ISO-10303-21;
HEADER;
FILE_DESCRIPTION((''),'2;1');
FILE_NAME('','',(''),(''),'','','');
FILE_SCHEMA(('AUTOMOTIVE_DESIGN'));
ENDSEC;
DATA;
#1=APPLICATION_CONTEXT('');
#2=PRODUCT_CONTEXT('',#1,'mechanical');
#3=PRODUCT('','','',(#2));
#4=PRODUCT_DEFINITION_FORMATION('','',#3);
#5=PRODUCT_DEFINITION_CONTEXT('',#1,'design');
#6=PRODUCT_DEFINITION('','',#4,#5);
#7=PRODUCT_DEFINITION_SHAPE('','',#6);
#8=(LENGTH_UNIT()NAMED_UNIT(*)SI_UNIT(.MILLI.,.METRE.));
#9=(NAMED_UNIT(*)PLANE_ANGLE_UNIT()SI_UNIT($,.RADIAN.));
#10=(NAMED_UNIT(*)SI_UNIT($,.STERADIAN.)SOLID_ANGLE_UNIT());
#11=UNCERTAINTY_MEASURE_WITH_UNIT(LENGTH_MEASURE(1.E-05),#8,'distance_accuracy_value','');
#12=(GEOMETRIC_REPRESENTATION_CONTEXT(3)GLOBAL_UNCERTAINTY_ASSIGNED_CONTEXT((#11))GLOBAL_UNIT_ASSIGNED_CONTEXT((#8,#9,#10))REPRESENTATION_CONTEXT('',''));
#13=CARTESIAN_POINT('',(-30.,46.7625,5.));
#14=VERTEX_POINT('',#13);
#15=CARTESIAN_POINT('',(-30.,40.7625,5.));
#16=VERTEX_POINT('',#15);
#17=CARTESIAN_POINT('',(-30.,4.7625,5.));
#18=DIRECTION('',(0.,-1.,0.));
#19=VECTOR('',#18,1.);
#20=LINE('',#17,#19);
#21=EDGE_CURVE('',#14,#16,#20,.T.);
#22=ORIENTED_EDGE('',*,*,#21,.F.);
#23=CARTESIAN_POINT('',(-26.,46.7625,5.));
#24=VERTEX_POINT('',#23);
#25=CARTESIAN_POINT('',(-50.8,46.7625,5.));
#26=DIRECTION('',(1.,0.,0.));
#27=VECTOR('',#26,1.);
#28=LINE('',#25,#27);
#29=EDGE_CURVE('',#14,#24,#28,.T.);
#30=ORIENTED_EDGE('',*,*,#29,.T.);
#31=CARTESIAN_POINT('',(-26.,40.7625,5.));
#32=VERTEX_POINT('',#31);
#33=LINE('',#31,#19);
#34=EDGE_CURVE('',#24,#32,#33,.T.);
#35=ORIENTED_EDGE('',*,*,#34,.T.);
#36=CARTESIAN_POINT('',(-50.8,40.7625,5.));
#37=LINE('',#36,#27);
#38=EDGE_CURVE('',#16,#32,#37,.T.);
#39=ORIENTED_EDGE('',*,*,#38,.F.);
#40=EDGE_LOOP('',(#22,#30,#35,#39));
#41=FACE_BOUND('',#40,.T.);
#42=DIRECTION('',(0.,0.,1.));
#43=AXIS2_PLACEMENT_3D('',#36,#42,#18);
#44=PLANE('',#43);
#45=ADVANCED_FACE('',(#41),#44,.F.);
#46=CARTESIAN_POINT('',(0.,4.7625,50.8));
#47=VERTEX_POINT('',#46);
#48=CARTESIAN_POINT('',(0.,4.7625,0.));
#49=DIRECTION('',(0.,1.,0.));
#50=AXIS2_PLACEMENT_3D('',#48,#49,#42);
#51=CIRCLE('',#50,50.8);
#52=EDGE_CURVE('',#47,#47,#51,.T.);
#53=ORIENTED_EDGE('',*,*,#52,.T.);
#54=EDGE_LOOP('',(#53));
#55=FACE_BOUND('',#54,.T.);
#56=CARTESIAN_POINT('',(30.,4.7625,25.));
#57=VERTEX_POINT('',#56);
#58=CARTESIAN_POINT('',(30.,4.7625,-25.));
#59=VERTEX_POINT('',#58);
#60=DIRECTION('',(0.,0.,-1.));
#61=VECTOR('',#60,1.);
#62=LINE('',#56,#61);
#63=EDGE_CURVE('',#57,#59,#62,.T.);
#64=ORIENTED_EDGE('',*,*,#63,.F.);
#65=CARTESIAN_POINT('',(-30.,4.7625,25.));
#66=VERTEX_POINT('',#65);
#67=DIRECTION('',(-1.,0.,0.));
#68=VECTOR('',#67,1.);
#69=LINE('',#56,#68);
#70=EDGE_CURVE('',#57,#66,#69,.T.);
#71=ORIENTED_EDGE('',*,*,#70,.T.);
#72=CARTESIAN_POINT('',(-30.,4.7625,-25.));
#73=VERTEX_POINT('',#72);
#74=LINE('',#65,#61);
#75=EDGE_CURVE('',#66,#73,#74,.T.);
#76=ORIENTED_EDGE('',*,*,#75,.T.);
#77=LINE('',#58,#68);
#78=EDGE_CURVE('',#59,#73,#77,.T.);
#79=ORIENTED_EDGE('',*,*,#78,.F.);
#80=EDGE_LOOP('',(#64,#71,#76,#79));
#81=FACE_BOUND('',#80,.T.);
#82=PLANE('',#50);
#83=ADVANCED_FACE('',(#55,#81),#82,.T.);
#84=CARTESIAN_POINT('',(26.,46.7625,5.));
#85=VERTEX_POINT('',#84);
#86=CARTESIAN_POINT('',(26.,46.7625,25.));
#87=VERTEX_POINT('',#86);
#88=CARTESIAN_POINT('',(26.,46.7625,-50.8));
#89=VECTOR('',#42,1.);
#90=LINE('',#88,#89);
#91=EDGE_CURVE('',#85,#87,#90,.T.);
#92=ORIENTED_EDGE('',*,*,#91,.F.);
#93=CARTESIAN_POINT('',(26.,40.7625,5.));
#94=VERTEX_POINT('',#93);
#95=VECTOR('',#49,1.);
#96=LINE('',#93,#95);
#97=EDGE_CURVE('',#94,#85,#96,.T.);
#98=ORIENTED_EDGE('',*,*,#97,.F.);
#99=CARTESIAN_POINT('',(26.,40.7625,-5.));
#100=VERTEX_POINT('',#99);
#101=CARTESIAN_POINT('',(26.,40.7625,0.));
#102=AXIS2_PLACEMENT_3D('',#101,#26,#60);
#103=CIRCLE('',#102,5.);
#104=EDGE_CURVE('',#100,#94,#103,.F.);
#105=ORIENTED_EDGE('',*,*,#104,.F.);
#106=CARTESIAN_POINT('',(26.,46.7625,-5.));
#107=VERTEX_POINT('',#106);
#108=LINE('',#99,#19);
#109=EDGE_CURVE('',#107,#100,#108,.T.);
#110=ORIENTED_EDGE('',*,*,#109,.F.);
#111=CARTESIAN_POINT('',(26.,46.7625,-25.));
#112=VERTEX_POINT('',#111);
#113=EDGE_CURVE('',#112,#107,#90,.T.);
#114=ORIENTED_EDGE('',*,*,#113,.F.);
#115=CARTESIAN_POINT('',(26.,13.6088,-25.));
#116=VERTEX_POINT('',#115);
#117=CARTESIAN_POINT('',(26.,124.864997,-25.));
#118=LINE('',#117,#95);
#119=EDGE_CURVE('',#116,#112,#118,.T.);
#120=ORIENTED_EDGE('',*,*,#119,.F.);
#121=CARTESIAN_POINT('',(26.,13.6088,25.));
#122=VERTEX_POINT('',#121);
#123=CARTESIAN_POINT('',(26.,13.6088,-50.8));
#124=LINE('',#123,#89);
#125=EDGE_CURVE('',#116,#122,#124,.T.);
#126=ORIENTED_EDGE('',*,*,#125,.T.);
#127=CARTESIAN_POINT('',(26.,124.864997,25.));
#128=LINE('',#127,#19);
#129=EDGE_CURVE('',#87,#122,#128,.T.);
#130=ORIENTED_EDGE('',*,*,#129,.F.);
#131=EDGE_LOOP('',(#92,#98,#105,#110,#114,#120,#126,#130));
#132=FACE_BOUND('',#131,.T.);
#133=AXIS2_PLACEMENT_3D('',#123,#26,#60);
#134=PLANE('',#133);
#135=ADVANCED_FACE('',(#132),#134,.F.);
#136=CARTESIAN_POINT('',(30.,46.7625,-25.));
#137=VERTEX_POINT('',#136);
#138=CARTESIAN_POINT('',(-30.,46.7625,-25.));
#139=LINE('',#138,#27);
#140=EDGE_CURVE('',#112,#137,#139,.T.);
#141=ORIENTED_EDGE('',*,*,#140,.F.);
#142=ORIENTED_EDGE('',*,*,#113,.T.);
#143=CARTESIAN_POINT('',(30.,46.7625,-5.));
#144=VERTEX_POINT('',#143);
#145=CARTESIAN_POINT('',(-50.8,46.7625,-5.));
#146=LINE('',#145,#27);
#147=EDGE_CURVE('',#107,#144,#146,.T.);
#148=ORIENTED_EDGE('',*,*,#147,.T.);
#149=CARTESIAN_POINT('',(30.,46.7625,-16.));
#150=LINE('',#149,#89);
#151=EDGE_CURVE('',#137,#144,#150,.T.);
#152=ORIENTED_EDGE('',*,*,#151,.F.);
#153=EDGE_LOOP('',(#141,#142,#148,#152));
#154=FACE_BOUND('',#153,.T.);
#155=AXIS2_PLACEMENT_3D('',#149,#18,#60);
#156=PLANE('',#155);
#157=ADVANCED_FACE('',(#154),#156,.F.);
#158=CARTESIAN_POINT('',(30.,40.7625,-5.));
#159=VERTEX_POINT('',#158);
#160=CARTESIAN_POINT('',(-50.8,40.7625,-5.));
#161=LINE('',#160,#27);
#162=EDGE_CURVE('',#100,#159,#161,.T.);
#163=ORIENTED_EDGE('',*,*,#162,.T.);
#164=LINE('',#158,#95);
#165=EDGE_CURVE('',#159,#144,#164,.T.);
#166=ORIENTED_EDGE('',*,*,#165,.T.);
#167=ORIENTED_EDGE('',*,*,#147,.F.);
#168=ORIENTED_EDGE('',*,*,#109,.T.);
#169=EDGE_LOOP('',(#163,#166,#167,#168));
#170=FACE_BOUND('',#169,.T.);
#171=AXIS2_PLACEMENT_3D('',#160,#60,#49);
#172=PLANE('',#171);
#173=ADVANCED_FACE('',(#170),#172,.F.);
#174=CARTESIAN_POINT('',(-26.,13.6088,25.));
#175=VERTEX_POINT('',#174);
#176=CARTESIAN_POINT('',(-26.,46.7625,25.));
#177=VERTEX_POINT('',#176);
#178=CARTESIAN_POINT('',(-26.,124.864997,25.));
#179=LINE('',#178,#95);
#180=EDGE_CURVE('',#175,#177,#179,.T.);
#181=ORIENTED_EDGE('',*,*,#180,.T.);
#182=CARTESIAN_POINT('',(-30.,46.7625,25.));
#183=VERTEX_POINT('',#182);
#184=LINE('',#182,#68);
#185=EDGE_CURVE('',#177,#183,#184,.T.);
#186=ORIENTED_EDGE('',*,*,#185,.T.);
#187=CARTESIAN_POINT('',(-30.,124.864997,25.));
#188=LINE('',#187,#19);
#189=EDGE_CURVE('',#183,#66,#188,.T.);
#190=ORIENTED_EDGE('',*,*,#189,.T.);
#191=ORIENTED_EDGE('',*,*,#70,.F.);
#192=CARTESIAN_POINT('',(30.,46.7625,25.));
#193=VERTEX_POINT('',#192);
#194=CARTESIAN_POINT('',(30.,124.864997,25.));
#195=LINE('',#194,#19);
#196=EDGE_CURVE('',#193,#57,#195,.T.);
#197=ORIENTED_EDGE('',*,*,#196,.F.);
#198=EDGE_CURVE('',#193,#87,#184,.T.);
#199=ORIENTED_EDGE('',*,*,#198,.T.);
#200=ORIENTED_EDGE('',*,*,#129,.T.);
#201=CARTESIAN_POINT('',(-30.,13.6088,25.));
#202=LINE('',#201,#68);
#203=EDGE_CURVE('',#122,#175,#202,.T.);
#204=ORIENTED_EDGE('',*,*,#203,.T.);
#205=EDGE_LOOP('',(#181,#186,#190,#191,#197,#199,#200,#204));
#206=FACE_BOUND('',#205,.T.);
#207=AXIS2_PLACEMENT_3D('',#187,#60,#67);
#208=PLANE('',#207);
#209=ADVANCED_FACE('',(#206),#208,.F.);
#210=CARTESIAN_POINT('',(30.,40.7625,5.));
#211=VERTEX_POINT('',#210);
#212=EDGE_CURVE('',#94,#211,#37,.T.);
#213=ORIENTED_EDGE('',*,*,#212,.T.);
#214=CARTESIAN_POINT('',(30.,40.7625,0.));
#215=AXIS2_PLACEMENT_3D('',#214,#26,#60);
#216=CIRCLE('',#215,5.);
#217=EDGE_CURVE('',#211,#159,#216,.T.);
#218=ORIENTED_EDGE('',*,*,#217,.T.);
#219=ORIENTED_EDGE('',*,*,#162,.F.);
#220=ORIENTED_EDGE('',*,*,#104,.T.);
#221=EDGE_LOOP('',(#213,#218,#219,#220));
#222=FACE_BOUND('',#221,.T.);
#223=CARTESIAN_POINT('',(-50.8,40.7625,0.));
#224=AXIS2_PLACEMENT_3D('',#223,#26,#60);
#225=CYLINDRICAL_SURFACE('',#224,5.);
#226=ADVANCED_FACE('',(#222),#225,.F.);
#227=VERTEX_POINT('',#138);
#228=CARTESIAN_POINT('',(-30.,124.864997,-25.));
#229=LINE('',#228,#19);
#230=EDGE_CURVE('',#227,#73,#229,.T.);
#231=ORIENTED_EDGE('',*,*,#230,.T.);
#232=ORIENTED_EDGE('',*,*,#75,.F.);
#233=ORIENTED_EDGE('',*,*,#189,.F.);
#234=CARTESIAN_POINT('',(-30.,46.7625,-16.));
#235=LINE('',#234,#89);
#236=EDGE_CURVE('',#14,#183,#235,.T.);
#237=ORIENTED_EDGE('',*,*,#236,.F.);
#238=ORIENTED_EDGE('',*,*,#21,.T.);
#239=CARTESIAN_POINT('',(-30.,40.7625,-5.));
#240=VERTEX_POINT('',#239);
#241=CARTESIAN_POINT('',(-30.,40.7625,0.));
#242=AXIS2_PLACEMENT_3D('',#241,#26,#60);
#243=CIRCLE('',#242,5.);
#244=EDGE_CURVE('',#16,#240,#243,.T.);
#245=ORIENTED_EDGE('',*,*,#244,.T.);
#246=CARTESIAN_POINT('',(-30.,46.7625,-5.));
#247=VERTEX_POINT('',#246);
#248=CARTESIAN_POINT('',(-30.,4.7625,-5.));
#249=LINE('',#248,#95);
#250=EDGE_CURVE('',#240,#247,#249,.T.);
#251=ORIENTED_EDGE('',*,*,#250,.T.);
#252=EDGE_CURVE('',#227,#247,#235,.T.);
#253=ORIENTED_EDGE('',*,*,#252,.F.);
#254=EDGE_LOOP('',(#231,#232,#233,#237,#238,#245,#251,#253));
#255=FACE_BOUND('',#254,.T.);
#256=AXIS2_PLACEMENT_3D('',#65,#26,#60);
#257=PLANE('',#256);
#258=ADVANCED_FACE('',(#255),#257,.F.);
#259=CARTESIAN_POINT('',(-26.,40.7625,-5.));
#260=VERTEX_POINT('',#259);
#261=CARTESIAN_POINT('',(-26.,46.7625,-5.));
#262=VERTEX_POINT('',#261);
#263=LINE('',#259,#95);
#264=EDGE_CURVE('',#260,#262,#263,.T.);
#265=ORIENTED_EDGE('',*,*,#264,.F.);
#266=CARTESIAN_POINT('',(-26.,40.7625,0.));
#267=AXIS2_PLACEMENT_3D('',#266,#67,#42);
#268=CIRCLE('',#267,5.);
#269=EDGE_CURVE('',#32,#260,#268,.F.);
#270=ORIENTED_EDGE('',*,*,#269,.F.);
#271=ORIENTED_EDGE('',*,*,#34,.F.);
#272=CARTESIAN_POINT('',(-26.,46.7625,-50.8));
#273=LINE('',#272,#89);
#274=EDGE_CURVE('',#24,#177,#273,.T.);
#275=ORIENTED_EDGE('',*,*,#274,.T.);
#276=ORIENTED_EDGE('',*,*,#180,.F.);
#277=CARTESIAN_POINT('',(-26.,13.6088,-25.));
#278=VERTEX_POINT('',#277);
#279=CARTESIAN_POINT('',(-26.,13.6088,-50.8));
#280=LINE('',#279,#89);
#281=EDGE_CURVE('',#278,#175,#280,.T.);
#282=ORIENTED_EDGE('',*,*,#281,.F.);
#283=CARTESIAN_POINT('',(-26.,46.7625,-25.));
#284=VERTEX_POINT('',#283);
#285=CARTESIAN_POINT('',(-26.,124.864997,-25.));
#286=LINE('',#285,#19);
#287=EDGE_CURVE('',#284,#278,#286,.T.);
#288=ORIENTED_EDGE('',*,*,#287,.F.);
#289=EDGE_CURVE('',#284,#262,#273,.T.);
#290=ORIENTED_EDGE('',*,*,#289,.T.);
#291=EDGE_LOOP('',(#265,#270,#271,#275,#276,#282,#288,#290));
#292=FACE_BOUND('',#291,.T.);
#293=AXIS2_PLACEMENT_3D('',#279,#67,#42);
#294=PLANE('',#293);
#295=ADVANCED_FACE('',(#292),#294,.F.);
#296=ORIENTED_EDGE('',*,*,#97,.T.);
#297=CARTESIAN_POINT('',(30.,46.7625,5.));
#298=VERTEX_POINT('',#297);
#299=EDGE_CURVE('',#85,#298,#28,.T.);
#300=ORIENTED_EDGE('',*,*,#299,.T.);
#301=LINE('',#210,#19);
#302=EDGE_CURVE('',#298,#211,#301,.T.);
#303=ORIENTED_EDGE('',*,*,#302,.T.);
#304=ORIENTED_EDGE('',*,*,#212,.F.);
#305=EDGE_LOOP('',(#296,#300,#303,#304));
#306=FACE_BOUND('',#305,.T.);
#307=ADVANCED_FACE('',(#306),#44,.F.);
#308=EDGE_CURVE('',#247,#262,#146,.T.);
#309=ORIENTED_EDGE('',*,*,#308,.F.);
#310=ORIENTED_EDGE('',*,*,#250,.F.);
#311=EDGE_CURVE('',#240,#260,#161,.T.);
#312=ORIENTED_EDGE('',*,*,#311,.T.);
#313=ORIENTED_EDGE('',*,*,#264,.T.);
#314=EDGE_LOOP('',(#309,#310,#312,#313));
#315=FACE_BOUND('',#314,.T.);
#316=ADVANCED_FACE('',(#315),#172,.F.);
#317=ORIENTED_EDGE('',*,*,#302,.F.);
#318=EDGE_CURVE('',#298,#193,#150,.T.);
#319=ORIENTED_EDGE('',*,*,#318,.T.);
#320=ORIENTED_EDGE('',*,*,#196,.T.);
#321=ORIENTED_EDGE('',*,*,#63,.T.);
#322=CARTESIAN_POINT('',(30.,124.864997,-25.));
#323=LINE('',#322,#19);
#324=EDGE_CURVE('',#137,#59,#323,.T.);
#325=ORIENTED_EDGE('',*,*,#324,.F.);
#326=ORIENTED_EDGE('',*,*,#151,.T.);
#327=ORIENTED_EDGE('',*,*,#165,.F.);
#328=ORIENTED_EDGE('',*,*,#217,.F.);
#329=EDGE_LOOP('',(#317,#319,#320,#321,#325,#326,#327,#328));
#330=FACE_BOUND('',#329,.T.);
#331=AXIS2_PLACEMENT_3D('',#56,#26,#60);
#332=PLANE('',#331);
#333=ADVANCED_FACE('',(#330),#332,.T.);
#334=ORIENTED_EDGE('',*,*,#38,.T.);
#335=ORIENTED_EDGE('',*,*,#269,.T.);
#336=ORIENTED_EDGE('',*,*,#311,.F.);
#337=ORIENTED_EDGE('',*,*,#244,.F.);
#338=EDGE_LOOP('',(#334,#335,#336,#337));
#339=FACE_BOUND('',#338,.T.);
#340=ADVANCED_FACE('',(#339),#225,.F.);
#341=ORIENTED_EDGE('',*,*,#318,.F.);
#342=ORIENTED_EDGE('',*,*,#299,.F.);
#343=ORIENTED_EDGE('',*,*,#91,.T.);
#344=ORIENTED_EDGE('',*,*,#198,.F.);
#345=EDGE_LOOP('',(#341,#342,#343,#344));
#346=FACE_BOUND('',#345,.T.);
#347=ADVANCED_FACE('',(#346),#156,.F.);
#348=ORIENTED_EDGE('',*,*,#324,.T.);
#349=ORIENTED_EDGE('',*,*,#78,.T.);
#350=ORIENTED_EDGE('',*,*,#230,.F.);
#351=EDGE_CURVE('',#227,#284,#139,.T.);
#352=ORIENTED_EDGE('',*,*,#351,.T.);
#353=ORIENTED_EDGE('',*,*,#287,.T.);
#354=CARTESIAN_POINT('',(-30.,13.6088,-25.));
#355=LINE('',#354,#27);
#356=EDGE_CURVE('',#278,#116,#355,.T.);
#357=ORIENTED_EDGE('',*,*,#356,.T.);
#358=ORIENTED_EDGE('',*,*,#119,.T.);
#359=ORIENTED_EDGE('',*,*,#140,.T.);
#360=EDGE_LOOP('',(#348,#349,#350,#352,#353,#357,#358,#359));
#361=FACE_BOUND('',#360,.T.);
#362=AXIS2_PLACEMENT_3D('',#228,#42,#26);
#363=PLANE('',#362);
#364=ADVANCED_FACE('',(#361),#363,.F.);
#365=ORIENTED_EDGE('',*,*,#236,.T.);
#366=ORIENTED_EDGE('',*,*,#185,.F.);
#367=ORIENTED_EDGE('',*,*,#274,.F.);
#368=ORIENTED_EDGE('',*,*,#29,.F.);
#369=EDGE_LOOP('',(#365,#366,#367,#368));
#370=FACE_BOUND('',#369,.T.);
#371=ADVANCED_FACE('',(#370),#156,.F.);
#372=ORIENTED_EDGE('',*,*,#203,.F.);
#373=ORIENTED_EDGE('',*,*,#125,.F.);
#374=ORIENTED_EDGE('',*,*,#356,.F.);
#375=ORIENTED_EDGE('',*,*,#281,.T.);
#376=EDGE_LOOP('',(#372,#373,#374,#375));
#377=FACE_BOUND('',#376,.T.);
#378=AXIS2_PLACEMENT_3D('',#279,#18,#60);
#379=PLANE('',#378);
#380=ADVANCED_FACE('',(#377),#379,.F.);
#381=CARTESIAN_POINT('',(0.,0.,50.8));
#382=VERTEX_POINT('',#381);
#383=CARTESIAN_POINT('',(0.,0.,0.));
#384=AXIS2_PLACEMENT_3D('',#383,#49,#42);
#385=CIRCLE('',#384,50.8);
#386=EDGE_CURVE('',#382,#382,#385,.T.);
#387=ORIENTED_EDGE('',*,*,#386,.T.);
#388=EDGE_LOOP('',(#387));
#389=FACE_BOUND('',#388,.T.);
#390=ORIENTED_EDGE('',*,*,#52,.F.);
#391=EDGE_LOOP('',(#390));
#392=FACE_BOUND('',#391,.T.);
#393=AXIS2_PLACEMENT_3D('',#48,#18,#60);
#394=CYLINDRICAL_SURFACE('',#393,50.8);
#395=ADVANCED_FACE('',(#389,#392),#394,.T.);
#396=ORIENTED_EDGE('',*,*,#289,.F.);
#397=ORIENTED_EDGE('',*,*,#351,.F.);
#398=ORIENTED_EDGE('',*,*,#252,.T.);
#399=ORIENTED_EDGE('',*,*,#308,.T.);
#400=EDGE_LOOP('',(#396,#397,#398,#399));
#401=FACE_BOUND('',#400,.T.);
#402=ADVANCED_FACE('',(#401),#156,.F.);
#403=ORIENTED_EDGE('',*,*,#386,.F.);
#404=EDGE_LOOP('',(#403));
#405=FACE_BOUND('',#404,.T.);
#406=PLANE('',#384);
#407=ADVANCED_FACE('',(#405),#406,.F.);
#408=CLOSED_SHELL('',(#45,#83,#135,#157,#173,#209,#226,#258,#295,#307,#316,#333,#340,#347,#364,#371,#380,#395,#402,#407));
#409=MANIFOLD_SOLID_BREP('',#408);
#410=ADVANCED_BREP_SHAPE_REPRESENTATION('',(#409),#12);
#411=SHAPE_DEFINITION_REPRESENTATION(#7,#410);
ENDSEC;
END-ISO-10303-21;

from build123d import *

# Parameters (mm, degrees)
SKETCH2_R               = 50.8
BOSS_EXTRUDE1_DEPTH     = 4.7625
BOSS_EXTRUDE2_DEPTH     = 30
SKETCH7_W               = 60
SKETCH7_H               = 50
BOSS_EXTRUDE3_DEPTH     = 46.7625
CUT_EXTRUDE2_DEPTH      = 81.8
SKETCH5_W               = 52
SKETCH5_H               = 33.1537
CUT_EXTRUDE1_DEPTH      = 51.8
CUT_EXTRUDE1_DEPTH_BACK = 51.8


with BuildPart() as part:
    # Sketch2 → Boss-Extrude1 (new body)
    with BuildSketch(Plane(origin=(0, 0, 0), x_dir=(-1, 0, 0), z_dir=(0, 1, 0))):
        Circle(SKETCH2_R)
    extrude(amount=BOSS_EXTRUDE1_DEPTH)

    # Sketch4 → Boss-Extrude2 (add, symmetric)
    with BuildSketch(Plane(origin=(0, 0, 0), x_dir=(0, 0, -1), z_dir=(1, 0, 0))):
        Polygon((-25, 4.7625), (25, 4.7625), (16, 46.7625), (-16, 46.7625), align=None)
    extrude(amount=BOSS_EXTRUDE2_DEPTH, both=True)

    # Sketch7 → Boss-Extrude3 (add)
    with BuildSketch(Plane(origin=(0, 0, 0), x_dir=(-1, 0, 0), z_dir=(0, 1, 0))):
        Rectangle(SKETCH7_W, SKETCH7_H)
    extrude(amount=BOSS_EXTRUDE3_DEPTH)

    # Sketch6 → Cut-Extrude2 (cut, through all)
    with BuildSketch(Plane(origin=(30, 0, 0), x_dir=(0, 0, -1), z_dir=(1, 0, 0))):
        with BuildLine():
            Line((5, 40.7625), (5, 46.7625))
            Line((5, 46.7625), (-5, 46.7625))
            Line((-5, 46.7625), (-5, 40.7625))
            ThreePointArc((-5, 40.7625), (0, 35.7625), (5, 40.7625))
        make_face()
    extrude(amount=-CUT_EXTRUDE2_DEPTH, mode=Mode.SUBTRACT)

    # Sketch5 → Cut-Extrude1 (cut, two sides)
    with BuildSketch(Plane.XY) as cut_extrude1_sk:
        with Locations((0, 30.18565)):
            Rectangle(SKETCH5_W, SKETCH5_H)
    extrude(amount=CUT_EXTRUDE1_DEPTH, mode=Mode.SUBTRACT)
    extrude(cut_extrude1_sk.sketch, amount=-CUT_EXTRUDE1_DEPTH_BACK, mode=Mode.SUBTRACT)


solid = part.part
